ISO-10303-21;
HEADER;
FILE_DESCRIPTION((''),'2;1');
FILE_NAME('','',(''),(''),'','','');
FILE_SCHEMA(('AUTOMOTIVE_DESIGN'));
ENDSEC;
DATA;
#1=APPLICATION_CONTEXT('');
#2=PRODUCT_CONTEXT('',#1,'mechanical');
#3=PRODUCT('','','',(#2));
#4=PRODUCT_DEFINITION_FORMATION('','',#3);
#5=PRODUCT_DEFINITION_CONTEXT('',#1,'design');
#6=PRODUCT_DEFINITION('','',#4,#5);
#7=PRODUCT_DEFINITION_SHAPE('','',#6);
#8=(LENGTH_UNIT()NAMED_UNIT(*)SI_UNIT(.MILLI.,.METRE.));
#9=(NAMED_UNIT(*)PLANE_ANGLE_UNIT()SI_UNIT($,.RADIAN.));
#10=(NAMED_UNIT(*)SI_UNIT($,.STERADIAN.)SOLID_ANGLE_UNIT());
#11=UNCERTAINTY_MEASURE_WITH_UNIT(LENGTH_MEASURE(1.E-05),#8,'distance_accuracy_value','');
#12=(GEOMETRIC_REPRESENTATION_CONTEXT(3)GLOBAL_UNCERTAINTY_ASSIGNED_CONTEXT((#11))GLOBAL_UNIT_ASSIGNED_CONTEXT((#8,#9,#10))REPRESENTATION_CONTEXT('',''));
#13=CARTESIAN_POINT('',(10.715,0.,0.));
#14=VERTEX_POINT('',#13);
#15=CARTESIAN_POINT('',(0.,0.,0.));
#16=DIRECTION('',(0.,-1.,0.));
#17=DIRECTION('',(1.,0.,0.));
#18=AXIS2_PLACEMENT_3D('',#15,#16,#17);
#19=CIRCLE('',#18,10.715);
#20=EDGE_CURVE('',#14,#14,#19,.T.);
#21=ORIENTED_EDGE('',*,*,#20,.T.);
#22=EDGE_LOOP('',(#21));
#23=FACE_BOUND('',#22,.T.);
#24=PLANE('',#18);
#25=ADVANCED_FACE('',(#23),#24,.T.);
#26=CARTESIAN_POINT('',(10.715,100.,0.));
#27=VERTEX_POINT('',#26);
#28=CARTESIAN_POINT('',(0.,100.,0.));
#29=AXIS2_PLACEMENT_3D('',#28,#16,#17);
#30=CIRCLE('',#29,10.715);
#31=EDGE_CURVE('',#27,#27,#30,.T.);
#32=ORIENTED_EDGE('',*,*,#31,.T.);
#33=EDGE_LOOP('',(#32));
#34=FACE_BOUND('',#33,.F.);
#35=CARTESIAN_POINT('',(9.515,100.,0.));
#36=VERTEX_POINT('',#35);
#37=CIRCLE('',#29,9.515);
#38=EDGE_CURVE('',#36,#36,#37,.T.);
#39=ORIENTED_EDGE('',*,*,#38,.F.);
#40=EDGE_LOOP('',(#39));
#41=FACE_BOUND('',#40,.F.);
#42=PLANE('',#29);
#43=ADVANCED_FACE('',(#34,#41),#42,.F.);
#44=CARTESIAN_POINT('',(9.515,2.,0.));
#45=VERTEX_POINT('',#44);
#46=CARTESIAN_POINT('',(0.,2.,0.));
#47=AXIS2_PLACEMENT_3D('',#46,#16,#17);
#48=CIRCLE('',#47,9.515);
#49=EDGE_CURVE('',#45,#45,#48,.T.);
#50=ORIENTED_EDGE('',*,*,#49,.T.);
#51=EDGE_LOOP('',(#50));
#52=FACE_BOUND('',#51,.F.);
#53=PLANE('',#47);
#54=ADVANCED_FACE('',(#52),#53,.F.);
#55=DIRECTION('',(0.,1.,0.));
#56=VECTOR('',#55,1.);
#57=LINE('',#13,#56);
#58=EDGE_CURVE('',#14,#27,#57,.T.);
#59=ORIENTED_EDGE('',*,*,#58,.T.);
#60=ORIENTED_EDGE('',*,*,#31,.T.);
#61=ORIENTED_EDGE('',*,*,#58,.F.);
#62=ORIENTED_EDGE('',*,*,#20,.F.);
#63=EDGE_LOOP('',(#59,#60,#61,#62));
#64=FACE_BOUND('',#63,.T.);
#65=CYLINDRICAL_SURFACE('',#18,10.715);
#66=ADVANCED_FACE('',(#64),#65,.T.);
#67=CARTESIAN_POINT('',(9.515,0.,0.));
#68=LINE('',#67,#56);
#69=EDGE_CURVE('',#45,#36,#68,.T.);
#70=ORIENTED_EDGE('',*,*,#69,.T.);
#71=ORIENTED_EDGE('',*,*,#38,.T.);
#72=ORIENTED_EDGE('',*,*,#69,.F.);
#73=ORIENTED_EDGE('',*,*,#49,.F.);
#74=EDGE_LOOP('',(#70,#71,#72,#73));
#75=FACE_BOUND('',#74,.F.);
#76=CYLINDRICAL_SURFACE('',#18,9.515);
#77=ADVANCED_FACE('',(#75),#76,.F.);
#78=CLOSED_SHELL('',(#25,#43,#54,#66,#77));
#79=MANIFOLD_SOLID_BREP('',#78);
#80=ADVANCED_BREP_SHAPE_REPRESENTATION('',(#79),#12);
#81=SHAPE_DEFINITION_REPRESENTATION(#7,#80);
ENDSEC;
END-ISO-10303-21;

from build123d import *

# Parameters (mm, degrees)
F0_R     = 10.715
F0_R_2   = 9.515
F1_DEPTH = 100
F2_DEPTH = 2


with BuildPart() as f1:
    # F0 (on Front) → F1 (new body)
    with BuildSketch(Plane.XZ):
        Circle(F0_R)
        Circle(F0_R_2, mode=Mode.SUBTRACT)
    extrude(amount=-F1_DEPTH)

    # F0 (on Front) → F2 (join)
    with BuildSketch(Plane.XZ):
        Circle(F0_R_2)
    extrude(amount=-F2_DEPTH)


solid = f1.part
